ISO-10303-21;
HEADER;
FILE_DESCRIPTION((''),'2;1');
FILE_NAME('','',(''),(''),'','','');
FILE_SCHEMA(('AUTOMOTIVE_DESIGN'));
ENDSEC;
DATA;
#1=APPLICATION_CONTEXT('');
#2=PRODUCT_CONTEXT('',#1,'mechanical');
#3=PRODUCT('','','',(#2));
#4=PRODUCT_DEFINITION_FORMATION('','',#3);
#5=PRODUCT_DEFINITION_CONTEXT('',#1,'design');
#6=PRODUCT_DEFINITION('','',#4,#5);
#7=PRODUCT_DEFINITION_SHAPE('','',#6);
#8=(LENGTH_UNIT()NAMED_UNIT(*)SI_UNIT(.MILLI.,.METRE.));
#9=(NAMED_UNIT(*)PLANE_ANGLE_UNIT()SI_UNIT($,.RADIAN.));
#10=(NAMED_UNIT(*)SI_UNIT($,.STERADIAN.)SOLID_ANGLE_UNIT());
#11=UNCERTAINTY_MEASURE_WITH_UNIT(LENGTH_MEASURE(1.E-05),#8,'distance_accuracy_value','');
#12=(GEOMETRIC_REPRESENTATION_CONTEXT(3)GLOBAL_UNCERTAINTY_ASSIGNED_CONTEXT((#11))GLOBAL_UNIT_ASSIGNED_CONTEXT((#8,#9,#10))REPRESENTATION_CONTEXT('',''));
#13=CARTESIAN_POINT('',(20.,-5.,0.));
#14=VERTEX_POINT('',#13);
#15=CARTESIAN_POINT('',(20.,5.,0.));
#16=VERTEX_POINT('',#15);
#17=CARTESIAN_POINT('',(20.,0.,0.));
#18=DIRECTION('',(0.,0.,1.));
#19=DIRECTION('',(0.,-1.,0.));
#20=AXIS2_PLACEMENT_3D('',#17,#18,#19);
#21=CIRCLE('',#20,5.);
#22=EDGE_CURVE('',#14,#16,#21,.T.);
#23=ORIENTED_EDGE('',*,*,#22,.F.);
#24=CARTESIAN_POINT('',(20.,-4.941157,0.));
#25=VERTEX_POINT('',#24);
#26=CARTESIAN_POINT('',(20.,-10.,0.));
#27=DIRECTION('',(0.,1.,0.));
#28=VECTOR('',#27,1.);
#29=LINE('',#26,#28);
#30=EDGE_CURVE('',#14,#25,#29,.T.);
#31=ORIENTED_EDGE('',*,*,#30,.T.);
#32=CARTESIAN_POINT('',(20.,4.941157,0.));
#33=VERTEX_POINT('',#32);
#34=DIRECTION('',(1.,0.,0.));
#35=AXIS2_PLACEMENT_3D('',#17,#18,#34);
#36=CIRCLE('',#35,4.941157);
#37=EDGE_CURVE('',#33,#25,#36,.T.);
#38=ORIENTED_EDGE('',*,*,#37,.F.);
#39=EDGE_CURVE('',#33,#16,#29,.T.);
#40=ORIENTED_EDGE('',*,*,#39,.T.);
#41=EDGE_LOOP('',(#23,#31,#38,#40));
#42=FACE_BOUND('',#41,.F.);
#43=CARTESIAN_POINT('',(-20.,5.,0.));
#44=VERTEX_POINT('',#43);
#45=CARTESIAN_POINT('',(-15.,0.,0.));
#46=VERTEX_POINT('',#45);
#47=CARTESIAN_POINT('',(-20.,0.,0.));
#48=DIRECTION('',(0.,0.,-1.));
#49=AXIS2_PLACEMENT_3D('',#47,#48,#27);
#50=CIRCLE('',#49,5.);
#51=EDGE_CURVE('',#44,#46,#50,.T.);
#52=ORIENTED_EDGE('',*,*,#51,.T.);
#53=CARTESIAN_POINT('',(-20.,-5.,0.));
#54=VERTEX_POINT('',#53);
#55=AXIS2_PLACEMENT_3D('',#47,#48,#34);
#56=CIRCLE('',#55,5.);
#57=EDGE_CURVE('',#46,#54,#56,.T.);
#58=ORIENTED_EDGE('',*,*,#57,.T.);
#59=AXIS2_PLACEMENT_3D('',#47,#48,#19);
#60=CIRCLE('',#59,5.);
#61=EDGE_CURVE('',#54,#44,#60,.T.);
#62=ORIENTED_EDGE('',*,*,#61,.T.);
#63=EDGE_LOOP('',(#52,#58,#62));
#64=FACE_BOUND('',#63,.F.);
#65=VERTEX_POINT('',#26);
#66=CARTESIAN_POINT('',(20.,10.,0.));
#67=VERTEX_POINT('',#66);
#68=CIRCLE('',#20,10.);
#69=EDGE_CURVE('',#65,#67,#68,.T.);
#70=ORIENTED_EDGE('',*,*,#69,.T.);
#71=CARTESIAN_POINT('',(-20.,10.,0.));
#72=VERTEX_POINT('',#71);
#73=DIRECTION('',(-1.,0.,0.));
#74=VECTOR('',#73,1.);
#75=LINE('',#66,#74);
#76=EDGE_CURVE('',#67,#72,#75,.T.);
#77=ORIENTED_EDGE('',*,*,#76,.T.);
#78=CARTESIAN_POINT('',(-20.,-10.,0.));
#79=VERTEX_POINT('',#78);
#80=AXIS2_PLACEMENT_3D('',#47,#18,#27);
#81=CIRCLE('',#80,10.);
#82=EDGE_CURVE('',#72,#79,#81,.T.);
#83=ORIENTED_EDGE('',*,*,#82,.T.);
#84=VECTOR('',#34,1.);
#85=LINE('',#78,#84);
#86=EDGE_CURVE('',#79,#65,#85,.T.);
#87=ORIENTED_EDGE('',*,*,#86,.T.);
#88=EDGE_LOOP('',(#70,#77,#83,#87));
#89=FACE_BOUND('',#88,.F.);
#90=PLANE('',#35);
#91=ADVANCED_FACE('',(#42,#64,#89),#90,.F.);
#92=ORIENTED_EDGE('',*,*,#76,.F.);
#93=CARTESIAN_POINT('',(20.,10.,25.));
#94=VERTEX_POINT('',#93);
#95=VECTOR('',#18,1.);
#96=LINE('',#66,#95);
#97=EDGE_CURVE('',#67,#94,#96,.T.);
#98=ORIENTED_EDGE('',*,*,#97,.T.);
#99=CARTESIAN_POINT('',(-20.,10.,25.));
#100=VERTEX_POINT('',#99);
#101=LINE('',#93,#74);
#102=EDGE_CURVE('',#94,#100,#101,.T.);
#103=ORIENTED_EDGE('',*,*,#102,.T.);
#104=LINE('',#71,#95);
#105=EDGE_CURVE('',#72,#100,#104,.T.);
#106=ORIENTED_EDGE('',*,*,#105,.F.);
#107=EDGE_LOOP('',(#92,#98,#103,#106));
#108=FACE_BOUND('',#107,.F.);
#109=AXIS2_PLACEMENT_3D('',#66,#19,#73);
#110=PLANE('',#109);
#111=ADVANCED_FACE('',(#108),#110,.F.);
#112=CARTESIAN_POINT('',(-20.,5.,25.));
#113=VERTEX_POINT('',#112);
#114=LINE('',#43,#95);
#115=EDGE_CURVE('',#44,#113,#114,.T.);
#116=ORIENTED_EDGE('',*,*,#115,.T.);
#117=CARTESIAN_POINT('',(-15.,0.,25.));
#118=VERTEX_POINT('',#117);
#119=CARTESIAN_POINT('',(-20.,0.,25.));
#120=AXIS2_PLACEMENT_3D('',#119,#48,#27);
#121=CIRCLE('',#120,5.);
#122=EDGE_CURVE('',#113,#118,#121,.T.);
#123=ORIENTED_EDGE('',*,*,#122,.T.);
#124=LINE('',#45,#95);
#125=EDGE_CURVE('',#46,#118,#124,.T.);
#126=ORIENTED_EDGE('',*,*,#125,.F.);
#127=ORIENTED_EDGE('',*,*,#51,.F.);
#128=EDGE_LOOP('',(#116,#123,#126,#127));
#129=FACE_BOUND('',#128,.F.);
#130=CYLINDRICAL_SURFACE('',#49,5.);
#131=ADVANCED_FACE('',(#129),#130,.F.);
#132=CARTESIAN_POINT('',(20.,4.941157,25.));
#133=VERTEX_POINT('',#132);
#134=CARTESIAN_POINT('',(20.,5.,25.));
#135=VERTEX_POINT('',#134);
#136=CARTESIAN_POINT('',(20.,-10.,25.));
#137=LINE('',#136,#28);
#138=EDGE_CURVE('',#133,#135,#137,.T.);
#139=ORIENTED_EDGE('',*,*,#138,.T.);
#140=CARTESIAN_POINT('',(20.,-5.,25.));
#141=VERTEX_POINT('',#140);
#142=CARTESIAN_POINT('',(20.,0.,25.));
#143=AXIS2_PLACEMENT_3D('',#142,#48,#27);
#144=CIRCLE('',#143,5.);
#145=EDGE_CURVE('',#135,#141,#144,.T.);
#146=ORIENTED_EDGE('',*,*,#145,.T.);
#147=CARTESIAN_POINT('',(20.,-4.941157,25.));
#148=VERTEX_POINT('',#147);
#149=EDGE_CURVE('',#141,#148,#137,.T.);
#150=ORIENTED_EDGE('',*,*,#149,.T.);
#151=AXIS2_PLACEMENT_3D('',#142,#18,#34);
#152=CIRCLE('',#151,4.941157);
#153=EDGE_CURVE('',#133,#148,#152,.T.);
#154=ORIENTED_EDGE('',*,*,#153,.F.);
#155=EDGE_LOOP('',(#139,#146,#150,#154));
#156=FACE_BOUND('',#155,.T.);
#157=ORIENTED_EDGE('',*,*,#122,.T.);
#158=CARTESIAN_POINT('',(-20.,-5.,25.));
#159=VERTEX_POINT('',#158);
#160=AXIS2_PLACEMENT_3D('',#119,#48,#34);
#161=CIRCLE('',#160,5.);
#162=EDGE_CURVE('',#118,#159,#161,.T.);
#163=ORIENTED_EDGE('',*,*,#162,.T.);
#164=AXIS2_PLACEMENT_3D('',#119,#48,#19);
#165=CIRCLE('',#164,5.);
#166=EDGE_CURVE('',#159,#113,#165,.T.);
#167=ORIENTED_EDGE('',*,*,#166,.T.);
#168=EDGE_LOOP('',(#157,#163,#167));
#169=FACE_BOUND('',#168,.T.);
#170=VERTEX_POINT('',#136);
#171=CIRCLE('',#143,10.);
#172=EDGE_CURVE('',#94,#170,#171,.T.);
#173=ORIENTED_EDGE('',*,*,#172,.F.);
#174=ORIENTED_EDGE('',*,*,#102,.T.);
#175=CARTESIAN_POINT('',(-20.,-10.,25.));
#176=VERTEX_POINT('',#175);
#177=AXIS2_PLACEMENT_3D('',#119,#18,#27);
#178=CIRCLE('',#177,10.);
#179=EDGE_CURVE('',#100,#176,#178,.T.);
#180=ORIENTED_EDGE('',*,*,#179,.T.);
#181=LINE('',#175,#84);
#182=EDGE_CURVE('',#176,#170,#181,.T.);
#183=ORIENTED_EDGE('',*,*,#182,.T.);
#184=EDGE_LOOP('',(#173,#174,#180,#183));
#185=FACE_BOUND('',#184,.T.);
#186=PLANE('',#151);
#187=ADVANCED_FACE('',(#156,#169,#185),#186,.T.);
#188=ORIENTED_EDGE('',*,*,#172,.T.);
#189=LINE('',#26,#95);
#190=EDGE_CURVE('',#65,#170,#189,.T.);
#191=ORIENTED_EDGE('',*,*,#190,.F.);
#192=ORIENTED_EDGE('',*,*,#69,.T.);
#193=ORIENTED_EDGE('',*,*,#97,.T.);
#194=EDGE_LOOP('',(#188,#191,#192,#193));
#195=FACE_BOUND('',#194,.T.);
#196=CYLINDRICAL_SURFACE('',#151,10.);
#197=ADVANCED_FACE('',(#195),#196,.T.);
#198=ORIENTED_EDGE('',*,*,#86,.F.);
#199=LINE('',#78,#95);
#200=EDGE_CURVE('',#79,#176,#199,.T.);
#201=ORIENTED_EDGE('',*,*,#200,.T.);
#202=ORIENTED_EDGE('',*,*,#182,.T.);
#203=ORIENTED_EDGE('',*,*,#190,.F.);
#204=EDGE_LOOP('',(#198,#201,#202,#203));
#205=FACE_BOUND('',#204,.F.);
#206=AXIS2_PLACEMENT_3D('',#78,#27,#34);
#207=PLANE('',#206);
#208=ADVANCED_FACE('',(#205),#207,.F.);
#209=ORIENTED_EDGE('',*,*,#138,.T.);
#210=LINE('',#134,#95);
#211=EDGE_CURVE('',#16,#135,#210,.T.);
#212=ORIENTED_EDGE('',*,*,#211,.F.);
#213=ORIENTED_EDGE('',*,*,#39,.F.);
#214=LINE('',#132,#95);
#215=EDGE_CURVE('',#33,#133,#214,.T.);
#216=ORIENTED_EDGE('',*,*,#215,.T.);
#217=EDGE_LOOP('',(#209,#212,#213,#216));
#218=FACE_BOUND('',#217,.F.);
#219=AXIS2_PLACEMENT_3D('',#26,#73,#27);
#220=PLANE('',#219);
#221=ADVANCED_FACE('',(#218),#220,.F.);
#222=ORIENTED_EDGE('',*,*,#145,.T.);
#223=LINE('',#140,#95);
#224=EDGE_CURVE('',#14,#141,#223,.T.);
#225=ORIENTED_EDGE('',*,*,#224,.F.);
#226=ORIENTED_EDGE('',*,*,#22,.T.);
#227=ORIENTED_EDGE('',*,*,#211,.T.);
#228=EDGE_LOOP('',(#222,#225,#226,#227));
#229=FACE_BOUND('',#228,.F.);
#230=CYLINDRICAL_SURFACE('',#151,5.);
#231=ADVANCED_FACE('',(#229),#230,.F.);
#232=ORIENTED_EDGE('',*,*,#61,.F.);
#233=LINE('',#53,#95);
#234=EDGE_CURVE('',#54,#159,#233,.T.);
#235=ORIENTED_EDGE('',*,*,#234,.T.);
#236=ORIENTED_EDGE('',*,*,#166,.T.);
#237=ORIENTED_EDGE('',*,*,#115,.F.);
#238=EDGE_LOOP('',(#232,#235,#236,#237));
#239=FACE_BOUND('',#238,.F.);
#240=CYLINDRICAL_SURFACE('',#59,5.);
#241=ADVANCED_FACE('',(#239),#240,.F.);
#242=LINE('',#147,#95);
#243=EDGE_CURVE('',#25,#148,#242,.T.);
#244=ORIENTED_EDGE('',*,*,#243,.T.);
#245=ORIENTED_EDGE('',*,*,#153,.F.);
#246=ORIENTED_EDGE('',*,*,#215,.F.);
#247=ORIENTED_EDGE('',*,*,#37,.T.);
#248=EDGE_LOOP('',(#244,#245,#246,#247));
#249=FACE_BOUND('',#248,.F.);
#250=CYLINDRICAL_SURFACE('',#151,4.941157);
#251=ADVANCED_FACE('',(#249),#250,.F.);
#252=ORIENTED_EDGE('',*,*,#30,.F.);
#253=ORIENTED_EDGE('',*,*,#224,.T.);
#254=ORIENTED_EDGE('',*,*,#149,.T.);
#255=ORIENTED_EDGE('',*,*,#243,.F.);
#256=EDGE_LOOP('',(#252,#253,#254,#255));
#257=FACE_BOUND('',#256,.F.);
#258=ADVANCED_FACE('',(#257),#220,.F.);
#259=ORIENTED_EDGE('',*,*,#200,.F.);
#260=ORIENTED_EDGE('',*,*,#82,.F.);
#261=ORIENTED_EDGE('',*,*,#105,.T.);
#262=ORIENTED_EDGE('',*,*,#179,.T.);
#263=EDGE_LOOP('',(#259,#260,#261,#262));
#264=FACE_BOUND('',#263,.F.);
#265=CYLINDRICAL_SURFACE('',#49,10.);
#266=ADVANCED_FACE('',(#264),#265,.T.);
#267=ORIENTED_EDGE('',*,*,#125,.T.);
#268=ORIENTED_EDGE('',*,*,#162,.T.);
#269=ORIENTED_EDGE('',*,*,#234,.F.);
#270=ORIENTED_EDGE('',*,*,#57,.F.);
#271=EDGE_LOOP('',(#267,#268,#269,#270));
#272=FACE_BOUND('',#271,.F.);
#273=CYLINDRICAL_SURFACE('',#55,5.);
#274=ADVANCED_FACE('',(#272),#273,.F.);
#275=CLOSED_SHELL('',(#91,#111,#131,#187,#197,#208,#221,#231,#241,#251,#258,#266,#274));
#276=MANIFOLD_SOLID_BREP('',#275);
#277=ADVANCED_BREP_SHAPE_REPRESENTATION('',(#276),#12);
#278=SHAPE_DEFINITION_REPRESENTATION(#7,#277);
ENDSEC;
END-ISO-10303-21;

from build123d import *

# Parameters (mm, degrees)
F1_DEPTH = 25
F2_R     = 10
F2_R_2   = 5
F3_DEPTH = 25
F4_R     = 4.9411574471
F5_DEPTH = 25.001


with BuildPart() as f1:
    # F0 (on Top) → F1 (new body)
    with BuildSketch(Plane.XY):
        with BuildLine():
            Line((-20, -10), (20, -10))
            Line((20, -10), (20, 10))
            Line((20, 10), (-20, 10))
            ThreePointArc((-20, 10), (-12.9289321881, 7.0710678119), (-10, 0))
            ThreePointArc((-10, 0), (-12.9289321881, -7.0710678119), (-20, -10))
        make_face()
        with BuildLine():
            ThreePointArc((-20, 10), (-30, 0), (-20, -10))
            Line((-20, -10), (-20, -5))
            ThreePointArc((-20, -5), (-25, 0), (-20, 5))
            Line((-20, 5), (-20, 10))
        make_face()
        with BuildLine():
            Line((-20, -5), (-20, -10))
            ThreePointArc((-20, -10), (-12.9289321881, -7.0710678119), (-10, 0))
            ThreePointArc((-10, 0), (-12.9289321881, 7.0710678119), (-20, 10))
            Line((-20, 10), (-20, 5))
            ThreePointArc((-20, 5), (-16.4644660941, 3.5355339059), (-15, 0))
            ThreePointArc((-15, 0), (-16.4644660941, -3.5355339059), (-20, -5))
        make_face()
    extrude(amount=F1_DEPTH)

    # F2 (on face) → F3 (join)
    with BuildSketch(Plane.XY.offset(25)):
        with Locations((20, 0)):
            Circle(F2_R)
        with Locations((20, 0)):
            Circle(F2_R_2, mode=Mode.SUBTRACT)
    extrude(amount=-F3_DEPTH)

    # F4 (on face) → F5 (cut, through all)
    with BuildSketch(Plane.XY.offset(25)):
        with Locations((20, 0)):
            Circle(F4_R)
    extrude(amount=-F5_DEPTH, mode=Mode.SUBTRACT)


solid = f1.part
